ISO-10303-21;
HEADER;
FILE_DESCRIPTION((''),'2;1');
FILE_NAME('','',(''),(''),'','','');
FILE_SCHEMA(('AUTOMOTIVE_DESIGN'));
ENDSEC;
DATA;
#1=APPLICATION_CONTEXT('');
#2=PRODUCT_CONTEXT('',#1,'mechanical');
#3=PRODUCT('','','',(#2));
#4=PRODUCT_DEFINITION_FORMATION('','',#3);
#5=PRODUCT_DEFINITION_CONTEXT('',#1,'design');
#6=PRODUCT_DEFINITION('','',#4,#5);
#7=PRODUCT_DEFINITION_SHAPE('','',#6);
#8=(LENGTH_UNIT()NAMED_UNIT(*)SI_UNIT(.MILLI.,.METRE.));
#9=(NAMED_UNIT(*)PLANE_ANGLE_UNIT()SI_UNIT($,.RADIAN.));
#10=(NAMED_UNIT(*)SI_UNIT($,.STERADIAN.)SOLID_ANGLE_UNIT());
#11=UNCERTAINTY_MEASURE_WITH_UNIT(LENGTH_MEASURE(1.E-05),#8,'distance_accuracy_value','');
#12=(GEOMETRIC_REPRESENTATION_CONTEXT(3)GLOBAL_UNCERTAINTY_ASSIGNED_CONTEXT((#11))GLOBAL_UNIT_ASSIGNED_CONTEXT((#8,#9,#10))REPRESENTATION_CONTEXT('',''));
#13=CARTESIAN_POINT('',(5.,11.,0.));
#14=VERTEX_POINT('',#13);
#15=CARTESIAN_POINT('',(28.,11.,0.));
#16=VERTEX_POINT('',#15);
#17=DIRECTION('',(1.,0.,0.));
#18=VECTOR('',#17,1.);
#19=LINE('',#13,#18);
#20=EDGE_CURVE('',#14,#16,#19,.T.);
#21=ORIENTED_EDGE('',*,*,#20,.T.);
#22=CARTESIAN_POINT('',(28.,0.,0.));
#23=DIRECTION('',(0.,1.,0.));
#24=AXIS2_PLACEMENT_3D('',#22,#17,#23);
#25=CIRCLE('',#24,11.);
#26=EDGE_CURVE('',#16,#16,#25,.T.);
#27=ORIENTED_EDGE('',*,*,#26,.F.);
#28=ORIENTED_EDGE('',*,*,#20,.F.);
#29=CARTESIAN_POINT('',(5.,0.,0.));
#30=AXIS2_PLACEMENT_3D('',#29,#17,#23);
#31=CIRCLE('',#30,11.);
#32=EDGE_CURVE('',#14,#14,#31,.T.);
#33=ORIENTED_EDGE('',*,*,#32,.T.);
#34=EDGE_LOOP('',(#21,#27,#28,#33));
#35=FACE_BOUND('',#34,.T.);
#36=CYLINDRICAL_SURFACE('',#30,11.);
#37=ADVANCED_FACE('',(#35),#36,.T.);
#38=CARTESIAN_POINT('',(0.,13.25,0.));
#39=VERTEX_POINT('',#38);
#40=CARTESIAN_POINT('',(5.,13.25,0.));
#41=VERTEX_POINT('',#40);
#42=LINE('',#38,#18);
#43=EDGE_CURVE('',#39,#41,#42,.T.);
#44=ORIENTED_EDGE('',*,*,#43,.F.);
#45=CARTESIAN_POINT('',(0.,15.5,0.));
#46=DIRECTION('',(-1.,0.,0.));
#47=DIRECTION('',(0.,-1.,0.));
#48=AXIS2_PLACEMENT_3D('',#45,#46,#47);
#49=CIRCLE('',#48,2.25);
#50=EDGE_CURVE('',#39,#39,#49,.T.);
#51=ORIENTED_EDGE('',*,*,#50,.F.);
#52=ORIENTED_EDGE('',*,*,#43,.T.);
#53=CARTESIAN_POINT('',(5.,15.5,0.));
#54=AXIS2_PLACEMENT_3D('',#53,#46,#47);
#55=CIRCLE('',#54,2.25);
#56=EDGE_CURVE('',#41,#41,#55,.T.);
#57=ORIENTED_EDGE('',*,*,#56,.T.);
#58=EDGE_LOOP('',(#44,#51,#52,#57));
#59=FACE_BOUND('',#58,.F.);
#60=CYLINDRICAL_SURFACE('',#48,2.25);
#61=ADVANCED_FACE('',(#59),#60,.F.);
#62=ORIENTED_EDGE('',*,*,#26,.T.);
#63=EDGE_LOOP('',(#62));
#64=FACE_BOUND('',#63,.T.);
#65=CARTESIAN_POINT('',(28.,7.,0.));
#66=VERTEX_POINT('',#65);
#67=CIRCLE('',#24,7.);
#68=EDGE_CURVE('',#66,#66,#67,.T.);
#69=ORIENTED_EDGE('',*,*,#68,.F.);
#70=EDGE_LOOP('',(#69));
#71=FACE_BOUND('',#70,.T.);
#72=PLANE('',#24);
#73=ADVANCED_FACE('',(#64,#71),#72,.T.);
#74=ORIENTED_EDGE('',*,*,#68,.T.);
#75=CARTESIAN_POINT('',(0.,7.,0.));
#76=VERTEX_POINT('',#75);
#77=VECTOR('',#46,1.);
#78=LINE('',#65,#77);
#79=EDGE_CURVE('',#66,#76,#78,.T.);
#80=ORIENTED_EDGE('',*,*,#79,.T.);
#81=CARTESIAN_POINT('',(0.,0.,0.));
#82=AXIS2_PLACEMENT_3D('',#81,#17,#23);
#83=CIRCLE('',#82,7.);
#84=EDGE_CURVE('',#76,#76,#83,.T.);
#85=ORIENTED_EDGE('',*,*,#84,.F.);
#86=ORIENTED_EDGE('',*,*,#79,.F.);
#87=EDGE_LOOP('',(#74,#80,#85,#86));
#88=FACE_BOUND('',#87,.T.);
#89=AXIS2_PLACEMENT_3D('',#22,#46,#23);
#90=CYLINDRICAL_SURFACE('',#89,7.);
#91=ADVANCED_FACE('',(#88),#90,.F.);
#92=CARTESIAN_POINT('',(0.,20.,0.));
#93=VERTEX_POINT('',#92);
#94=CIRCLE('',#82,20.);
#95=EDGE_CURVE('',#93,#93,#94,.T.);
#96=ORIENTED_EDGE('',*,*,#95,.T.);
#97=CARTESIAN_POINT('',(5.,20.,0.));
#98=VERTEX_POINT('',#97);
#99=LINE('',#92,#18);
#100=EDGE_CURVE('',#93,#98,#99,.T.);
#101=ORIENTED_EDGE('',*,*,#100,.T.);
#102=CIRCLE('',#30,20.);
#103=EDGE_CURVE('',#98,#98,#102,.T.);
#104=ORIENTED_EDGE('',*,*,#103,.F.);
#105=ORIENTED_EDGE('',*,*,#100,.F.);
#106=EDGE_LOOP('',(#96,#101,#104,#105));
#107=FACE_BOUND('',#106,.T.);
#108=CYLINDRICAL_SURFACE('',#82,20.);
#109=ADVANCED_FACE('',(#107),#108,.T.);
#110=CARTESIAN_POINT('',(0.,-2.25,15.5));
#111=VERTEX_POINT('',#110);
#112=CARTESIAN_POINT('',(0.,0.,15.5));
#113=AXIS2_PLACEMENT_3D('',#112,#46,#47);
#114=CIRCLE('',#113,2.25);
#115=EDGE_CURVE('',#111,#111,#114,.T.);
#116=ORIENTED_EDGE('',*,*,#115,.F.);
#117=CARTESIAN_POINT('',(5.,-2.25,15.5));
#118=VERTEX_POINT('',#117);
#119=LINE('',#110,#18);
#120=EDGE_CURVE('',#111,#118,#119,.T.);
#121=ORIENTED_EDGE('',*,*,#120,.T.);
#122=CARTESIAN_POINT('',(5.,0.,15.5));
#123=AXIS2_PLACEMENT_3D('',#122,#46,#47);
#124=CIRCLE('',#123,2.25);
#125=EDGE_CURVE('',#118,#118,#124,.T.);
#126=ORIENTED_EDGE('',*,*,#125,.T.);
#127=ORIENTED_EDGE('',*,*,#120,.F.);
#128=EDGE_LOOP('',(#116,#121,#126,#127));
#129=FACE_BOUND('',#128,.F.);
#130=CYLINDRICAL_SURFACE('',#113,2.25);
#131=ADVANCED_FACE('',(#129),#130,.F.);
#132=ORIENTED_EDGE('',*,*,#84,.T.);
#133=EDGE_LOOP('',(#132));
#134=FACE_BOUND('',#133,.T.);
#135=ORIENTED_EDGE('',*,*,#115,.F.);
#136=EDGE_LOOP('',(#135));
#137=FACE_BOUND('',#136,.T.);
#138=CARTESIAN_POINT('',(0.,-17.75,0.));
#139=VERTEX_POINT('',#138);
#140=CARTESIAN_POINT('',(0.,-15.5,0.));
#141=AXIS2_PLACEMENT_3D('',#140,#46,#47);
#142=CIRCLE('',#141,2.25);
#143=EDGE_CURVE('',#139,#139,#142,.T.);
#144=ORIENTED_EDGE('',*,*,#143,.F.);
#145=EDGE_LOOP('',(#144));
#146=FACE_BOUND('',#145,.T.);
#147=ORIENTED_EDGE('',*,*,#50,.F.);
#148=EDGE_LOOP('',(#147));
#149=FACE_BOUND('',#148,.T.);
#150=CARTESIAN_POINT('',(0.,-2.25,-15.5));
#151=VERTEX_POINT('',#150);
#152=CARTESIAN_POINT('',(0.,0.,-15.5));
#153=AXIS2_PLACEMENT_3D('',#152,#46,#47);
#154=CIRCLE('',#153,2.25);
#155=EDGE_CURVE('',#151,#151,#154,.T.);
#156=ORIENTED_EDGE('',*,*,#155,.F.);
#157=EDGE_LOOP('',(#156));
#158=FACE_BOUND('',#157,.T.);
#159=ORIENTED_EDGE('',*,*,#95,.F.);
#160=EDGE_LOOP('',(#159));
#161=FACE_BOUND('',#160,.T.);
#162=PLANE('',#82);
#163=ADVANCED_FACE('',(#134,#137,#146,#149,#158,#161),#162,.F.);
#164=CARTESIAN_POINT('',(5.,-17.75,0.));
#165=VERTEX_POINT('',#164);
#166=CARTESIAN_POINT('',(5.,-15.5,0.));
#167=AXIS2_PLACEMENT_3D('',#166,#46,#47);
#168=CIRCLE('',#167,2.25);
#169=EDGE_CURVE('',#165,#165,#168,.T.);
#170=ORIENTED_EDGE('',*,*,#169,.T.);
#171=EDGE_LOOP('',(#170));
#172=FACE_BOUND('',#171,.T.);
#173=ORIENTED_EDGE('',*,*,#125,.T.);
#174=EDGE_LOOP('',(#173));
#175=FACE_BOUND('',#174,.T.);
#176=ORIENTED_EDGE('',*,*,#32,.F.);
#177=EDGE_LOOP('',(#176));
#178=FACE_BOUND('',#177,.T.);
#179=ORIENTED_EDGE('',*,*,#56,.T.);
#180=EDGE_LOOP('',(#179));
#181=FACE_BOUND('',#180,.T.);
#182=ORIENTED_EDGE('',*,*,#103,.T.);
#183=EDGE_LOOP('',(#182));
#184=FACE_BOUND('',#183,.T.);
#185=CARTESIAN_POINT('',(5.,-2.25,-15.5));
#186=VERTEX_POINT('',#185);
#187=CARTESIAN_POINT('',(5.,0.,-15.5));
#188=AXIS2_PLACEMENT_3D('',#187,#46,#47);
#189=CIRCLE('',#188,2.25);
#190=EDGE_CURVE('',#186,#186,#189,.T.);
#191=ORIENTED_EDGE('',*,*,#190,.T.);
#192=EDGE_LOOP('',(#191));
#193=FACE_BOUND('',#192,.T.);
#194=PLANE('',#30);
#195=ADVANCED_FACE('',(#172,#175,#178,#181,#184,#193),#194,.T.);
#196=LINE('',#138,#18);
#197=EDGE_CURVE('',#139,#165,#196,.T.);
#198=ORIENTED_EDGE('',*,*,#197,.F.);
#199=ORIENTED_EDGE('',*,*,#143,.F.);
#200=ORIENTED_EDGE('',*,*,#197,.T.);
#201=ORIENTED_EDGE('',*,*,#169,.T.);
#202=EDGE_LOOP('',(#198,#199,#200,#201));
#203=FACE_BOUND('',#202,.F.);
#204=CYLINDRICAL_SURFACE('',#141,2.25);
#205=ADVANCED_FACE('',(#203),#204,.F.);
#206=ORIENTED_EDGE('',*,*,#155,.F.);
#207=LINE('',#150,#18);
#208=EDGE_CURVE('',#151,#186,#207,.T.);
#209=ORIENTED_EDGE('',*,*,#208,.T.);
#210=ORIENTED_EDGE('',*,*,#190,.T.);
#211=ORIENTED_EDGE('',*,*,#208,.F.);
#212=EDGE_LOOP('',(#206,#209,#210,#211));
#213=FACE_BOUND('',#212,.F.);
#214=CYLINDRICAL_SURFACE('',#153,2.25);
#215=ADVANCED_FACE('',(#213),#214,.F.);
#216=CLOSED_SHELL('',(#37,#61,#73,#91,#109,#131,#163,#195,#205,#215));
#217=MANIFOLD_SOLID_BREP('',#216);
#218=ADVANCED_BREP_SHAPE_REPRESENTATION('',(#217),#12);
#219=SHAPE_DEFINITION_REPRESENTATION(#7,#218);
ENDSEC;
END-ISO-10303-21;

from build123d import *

# Parameters (mm, degrees)
SKETCH001_R  = 2.25
POCKET_DEPTH = 5


with BuildPart() as part:
    # Sketch → Revolution (revolve)
    with BuildSketch(Plane.XY):
        Polygon((0, 7), (0, 20), (5, 20), (5, 11), (28, 11), (28, 7), align=None)
    revolve(axis=Axis((0, 0, 0), (1, 0, 0)))

    # Sketch001 (on Face1 of Revolution) → Pocket (cut)
    with BuildSketch(Plane(origin=(0, 0, 0), x_dir=(0, -1, 0), z_dir=(-1, 0, 0))):
        with Locations((0, 15.5)):
            Circle(SKETCH001_R)
        with Locations((15.5, 0)):
            Circle(SKETCH001_R)
        with Locations((0, -15.5)):
            Circle(SKETCH001_R)
        with Locations((-15.5, 0)):
            Circle(SKETCH001_R)
    extrude(amount=-POCKET_DEPTH, mode=Mode.SUBTRACT)


solid = part.part
